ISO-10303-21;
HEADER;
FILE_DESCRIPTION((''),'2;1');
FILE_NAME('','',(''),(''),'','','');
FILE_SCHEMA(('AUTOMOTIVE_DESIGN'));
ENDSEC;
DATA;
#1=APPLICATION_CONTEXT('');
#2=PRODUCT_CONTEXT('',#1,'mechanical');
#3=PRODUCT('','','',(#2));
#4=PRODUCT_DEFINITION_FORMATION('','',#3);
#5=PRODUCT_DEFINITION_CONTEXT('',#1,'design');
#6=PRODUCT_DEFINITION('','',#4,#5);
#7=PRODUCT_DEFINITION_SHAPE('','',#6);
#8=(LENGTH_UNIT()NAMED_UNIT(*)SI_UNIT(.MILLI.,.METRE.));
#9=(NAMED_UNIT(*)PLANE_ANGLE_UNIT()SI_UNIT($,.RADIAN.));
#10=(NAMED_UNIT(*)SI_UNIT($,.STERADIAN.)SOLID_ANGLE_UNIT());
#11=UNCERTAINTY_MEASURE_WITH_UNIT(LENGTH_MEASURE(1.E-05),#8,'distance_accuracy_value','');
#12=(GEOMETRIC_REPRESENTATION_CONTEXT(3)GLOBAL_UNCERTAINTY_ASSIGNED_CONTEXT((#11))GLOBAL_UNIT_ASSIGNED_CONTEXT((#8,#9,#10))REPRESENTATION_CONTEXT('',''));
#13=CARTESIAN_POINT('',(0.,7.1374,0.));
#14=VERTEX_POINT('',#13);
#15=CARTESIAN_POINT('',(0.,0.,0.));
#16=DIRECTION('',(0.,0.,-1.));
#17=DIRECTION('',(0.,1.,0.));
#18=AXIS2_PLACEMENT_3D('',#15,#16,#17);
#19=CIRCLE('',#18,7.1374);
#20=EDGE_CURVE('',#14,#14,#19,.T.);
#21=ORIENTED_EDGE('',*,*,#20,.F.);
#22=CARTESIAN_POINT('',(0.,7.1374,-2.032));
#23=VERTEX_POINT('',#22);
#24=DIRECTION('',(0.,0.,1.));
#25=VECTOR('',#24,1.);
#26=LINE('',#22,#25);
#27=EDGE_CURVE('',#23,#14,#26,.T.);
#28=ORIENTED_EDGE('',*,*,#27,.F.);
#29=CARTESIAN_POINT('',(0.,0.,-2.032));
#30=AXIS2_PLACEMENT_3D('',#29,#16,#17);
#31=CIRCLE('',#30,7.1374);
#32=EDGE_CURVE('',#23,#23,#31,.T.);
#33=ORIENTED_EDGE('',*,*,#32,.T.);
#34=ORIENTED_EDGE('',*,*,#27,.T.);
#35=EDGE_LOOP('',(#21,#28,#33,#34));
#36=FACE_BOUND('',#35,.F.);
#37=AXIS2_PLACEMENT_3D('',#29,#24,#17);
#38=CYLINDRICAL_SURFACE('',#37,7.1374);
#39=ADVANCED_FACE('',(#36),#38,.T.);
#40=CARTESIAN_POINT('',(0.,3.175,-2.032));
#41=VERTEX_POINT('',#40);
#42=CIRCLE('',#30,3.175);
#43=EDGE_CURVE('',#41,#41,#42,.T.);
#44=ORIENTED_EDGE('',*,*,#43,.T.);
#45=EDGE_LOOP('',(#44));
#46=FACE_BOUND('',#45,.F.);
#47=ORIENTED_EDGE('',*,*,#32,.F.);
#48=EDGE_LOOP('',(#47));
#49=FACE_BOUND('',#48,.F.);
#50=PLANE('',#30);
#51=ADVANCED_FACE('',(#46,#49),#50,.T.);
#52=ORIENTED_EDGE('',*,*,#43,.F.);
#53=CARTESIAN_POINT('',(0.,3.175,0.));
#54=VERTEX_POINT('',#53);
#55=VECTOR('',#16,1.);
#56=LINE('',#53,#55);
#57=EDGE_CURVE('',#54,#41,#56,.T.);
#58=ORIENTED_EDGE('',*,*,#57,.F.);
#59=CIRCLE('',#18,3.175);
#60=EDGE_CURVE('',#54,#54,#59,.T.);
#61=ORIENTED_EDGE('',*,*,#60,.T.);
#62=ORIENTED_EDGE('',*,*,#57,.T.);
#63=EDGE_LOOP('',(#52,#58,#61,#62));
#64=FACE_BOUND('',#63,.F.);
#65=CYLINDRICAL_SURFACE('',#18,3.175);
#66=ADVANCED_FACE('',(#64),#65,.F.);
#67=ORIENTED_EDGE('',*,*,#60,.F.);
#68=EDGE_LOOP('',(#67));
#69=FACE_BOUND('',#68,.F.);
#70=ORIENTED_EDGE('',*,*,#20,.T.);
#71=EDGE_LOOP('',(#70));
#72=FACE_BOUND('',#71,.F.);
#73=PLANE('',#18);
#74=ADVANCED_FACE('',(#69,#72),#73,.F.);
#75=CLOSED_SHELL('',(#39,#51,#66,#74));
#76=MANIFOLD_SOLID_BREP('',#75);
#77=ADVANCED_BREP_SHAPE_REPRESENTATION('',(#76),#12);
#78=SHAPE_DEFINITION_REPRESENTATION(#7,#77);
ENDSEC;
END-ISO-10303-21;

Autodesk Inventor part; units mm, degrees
sketch "Sketch_1" plane through (0, 0, 0) normal (1, 0, 0) x (0, 1, 0)
  line L0 (0, -2.032) -> (0, 0)
  line L1 (7.1374, 0) -> (3.175, 0)
  line L2 (3.175, 0) -> (3.175, -2.032)
  line L3 (3.175, -2.032) -> (7.1374, -2.032)
  line L4 (7.1374, -2.032) -> (7.1374, 0)
revolve "Revolution1" add sketch "Sketch_1" angle 360 about axis through (0, 0, -2.032) along (0, 0, -1)
ref_plane "part_to_rod_XY" through (0, 0, 0) normal (0, 0, 1) x (1, 0, 0)
ref_plane "part_to_rod_YZ" through (0, 0, 0) normal (1, 0, 0) x (0, 1, 0)
ref_plane "part_to_rod_ZX" through (0, 0, 0) normal (0, 1, 0) x (0, 0, 1)
properties part number "0.56250.0800000000000001-rod_part" material "Steel"
